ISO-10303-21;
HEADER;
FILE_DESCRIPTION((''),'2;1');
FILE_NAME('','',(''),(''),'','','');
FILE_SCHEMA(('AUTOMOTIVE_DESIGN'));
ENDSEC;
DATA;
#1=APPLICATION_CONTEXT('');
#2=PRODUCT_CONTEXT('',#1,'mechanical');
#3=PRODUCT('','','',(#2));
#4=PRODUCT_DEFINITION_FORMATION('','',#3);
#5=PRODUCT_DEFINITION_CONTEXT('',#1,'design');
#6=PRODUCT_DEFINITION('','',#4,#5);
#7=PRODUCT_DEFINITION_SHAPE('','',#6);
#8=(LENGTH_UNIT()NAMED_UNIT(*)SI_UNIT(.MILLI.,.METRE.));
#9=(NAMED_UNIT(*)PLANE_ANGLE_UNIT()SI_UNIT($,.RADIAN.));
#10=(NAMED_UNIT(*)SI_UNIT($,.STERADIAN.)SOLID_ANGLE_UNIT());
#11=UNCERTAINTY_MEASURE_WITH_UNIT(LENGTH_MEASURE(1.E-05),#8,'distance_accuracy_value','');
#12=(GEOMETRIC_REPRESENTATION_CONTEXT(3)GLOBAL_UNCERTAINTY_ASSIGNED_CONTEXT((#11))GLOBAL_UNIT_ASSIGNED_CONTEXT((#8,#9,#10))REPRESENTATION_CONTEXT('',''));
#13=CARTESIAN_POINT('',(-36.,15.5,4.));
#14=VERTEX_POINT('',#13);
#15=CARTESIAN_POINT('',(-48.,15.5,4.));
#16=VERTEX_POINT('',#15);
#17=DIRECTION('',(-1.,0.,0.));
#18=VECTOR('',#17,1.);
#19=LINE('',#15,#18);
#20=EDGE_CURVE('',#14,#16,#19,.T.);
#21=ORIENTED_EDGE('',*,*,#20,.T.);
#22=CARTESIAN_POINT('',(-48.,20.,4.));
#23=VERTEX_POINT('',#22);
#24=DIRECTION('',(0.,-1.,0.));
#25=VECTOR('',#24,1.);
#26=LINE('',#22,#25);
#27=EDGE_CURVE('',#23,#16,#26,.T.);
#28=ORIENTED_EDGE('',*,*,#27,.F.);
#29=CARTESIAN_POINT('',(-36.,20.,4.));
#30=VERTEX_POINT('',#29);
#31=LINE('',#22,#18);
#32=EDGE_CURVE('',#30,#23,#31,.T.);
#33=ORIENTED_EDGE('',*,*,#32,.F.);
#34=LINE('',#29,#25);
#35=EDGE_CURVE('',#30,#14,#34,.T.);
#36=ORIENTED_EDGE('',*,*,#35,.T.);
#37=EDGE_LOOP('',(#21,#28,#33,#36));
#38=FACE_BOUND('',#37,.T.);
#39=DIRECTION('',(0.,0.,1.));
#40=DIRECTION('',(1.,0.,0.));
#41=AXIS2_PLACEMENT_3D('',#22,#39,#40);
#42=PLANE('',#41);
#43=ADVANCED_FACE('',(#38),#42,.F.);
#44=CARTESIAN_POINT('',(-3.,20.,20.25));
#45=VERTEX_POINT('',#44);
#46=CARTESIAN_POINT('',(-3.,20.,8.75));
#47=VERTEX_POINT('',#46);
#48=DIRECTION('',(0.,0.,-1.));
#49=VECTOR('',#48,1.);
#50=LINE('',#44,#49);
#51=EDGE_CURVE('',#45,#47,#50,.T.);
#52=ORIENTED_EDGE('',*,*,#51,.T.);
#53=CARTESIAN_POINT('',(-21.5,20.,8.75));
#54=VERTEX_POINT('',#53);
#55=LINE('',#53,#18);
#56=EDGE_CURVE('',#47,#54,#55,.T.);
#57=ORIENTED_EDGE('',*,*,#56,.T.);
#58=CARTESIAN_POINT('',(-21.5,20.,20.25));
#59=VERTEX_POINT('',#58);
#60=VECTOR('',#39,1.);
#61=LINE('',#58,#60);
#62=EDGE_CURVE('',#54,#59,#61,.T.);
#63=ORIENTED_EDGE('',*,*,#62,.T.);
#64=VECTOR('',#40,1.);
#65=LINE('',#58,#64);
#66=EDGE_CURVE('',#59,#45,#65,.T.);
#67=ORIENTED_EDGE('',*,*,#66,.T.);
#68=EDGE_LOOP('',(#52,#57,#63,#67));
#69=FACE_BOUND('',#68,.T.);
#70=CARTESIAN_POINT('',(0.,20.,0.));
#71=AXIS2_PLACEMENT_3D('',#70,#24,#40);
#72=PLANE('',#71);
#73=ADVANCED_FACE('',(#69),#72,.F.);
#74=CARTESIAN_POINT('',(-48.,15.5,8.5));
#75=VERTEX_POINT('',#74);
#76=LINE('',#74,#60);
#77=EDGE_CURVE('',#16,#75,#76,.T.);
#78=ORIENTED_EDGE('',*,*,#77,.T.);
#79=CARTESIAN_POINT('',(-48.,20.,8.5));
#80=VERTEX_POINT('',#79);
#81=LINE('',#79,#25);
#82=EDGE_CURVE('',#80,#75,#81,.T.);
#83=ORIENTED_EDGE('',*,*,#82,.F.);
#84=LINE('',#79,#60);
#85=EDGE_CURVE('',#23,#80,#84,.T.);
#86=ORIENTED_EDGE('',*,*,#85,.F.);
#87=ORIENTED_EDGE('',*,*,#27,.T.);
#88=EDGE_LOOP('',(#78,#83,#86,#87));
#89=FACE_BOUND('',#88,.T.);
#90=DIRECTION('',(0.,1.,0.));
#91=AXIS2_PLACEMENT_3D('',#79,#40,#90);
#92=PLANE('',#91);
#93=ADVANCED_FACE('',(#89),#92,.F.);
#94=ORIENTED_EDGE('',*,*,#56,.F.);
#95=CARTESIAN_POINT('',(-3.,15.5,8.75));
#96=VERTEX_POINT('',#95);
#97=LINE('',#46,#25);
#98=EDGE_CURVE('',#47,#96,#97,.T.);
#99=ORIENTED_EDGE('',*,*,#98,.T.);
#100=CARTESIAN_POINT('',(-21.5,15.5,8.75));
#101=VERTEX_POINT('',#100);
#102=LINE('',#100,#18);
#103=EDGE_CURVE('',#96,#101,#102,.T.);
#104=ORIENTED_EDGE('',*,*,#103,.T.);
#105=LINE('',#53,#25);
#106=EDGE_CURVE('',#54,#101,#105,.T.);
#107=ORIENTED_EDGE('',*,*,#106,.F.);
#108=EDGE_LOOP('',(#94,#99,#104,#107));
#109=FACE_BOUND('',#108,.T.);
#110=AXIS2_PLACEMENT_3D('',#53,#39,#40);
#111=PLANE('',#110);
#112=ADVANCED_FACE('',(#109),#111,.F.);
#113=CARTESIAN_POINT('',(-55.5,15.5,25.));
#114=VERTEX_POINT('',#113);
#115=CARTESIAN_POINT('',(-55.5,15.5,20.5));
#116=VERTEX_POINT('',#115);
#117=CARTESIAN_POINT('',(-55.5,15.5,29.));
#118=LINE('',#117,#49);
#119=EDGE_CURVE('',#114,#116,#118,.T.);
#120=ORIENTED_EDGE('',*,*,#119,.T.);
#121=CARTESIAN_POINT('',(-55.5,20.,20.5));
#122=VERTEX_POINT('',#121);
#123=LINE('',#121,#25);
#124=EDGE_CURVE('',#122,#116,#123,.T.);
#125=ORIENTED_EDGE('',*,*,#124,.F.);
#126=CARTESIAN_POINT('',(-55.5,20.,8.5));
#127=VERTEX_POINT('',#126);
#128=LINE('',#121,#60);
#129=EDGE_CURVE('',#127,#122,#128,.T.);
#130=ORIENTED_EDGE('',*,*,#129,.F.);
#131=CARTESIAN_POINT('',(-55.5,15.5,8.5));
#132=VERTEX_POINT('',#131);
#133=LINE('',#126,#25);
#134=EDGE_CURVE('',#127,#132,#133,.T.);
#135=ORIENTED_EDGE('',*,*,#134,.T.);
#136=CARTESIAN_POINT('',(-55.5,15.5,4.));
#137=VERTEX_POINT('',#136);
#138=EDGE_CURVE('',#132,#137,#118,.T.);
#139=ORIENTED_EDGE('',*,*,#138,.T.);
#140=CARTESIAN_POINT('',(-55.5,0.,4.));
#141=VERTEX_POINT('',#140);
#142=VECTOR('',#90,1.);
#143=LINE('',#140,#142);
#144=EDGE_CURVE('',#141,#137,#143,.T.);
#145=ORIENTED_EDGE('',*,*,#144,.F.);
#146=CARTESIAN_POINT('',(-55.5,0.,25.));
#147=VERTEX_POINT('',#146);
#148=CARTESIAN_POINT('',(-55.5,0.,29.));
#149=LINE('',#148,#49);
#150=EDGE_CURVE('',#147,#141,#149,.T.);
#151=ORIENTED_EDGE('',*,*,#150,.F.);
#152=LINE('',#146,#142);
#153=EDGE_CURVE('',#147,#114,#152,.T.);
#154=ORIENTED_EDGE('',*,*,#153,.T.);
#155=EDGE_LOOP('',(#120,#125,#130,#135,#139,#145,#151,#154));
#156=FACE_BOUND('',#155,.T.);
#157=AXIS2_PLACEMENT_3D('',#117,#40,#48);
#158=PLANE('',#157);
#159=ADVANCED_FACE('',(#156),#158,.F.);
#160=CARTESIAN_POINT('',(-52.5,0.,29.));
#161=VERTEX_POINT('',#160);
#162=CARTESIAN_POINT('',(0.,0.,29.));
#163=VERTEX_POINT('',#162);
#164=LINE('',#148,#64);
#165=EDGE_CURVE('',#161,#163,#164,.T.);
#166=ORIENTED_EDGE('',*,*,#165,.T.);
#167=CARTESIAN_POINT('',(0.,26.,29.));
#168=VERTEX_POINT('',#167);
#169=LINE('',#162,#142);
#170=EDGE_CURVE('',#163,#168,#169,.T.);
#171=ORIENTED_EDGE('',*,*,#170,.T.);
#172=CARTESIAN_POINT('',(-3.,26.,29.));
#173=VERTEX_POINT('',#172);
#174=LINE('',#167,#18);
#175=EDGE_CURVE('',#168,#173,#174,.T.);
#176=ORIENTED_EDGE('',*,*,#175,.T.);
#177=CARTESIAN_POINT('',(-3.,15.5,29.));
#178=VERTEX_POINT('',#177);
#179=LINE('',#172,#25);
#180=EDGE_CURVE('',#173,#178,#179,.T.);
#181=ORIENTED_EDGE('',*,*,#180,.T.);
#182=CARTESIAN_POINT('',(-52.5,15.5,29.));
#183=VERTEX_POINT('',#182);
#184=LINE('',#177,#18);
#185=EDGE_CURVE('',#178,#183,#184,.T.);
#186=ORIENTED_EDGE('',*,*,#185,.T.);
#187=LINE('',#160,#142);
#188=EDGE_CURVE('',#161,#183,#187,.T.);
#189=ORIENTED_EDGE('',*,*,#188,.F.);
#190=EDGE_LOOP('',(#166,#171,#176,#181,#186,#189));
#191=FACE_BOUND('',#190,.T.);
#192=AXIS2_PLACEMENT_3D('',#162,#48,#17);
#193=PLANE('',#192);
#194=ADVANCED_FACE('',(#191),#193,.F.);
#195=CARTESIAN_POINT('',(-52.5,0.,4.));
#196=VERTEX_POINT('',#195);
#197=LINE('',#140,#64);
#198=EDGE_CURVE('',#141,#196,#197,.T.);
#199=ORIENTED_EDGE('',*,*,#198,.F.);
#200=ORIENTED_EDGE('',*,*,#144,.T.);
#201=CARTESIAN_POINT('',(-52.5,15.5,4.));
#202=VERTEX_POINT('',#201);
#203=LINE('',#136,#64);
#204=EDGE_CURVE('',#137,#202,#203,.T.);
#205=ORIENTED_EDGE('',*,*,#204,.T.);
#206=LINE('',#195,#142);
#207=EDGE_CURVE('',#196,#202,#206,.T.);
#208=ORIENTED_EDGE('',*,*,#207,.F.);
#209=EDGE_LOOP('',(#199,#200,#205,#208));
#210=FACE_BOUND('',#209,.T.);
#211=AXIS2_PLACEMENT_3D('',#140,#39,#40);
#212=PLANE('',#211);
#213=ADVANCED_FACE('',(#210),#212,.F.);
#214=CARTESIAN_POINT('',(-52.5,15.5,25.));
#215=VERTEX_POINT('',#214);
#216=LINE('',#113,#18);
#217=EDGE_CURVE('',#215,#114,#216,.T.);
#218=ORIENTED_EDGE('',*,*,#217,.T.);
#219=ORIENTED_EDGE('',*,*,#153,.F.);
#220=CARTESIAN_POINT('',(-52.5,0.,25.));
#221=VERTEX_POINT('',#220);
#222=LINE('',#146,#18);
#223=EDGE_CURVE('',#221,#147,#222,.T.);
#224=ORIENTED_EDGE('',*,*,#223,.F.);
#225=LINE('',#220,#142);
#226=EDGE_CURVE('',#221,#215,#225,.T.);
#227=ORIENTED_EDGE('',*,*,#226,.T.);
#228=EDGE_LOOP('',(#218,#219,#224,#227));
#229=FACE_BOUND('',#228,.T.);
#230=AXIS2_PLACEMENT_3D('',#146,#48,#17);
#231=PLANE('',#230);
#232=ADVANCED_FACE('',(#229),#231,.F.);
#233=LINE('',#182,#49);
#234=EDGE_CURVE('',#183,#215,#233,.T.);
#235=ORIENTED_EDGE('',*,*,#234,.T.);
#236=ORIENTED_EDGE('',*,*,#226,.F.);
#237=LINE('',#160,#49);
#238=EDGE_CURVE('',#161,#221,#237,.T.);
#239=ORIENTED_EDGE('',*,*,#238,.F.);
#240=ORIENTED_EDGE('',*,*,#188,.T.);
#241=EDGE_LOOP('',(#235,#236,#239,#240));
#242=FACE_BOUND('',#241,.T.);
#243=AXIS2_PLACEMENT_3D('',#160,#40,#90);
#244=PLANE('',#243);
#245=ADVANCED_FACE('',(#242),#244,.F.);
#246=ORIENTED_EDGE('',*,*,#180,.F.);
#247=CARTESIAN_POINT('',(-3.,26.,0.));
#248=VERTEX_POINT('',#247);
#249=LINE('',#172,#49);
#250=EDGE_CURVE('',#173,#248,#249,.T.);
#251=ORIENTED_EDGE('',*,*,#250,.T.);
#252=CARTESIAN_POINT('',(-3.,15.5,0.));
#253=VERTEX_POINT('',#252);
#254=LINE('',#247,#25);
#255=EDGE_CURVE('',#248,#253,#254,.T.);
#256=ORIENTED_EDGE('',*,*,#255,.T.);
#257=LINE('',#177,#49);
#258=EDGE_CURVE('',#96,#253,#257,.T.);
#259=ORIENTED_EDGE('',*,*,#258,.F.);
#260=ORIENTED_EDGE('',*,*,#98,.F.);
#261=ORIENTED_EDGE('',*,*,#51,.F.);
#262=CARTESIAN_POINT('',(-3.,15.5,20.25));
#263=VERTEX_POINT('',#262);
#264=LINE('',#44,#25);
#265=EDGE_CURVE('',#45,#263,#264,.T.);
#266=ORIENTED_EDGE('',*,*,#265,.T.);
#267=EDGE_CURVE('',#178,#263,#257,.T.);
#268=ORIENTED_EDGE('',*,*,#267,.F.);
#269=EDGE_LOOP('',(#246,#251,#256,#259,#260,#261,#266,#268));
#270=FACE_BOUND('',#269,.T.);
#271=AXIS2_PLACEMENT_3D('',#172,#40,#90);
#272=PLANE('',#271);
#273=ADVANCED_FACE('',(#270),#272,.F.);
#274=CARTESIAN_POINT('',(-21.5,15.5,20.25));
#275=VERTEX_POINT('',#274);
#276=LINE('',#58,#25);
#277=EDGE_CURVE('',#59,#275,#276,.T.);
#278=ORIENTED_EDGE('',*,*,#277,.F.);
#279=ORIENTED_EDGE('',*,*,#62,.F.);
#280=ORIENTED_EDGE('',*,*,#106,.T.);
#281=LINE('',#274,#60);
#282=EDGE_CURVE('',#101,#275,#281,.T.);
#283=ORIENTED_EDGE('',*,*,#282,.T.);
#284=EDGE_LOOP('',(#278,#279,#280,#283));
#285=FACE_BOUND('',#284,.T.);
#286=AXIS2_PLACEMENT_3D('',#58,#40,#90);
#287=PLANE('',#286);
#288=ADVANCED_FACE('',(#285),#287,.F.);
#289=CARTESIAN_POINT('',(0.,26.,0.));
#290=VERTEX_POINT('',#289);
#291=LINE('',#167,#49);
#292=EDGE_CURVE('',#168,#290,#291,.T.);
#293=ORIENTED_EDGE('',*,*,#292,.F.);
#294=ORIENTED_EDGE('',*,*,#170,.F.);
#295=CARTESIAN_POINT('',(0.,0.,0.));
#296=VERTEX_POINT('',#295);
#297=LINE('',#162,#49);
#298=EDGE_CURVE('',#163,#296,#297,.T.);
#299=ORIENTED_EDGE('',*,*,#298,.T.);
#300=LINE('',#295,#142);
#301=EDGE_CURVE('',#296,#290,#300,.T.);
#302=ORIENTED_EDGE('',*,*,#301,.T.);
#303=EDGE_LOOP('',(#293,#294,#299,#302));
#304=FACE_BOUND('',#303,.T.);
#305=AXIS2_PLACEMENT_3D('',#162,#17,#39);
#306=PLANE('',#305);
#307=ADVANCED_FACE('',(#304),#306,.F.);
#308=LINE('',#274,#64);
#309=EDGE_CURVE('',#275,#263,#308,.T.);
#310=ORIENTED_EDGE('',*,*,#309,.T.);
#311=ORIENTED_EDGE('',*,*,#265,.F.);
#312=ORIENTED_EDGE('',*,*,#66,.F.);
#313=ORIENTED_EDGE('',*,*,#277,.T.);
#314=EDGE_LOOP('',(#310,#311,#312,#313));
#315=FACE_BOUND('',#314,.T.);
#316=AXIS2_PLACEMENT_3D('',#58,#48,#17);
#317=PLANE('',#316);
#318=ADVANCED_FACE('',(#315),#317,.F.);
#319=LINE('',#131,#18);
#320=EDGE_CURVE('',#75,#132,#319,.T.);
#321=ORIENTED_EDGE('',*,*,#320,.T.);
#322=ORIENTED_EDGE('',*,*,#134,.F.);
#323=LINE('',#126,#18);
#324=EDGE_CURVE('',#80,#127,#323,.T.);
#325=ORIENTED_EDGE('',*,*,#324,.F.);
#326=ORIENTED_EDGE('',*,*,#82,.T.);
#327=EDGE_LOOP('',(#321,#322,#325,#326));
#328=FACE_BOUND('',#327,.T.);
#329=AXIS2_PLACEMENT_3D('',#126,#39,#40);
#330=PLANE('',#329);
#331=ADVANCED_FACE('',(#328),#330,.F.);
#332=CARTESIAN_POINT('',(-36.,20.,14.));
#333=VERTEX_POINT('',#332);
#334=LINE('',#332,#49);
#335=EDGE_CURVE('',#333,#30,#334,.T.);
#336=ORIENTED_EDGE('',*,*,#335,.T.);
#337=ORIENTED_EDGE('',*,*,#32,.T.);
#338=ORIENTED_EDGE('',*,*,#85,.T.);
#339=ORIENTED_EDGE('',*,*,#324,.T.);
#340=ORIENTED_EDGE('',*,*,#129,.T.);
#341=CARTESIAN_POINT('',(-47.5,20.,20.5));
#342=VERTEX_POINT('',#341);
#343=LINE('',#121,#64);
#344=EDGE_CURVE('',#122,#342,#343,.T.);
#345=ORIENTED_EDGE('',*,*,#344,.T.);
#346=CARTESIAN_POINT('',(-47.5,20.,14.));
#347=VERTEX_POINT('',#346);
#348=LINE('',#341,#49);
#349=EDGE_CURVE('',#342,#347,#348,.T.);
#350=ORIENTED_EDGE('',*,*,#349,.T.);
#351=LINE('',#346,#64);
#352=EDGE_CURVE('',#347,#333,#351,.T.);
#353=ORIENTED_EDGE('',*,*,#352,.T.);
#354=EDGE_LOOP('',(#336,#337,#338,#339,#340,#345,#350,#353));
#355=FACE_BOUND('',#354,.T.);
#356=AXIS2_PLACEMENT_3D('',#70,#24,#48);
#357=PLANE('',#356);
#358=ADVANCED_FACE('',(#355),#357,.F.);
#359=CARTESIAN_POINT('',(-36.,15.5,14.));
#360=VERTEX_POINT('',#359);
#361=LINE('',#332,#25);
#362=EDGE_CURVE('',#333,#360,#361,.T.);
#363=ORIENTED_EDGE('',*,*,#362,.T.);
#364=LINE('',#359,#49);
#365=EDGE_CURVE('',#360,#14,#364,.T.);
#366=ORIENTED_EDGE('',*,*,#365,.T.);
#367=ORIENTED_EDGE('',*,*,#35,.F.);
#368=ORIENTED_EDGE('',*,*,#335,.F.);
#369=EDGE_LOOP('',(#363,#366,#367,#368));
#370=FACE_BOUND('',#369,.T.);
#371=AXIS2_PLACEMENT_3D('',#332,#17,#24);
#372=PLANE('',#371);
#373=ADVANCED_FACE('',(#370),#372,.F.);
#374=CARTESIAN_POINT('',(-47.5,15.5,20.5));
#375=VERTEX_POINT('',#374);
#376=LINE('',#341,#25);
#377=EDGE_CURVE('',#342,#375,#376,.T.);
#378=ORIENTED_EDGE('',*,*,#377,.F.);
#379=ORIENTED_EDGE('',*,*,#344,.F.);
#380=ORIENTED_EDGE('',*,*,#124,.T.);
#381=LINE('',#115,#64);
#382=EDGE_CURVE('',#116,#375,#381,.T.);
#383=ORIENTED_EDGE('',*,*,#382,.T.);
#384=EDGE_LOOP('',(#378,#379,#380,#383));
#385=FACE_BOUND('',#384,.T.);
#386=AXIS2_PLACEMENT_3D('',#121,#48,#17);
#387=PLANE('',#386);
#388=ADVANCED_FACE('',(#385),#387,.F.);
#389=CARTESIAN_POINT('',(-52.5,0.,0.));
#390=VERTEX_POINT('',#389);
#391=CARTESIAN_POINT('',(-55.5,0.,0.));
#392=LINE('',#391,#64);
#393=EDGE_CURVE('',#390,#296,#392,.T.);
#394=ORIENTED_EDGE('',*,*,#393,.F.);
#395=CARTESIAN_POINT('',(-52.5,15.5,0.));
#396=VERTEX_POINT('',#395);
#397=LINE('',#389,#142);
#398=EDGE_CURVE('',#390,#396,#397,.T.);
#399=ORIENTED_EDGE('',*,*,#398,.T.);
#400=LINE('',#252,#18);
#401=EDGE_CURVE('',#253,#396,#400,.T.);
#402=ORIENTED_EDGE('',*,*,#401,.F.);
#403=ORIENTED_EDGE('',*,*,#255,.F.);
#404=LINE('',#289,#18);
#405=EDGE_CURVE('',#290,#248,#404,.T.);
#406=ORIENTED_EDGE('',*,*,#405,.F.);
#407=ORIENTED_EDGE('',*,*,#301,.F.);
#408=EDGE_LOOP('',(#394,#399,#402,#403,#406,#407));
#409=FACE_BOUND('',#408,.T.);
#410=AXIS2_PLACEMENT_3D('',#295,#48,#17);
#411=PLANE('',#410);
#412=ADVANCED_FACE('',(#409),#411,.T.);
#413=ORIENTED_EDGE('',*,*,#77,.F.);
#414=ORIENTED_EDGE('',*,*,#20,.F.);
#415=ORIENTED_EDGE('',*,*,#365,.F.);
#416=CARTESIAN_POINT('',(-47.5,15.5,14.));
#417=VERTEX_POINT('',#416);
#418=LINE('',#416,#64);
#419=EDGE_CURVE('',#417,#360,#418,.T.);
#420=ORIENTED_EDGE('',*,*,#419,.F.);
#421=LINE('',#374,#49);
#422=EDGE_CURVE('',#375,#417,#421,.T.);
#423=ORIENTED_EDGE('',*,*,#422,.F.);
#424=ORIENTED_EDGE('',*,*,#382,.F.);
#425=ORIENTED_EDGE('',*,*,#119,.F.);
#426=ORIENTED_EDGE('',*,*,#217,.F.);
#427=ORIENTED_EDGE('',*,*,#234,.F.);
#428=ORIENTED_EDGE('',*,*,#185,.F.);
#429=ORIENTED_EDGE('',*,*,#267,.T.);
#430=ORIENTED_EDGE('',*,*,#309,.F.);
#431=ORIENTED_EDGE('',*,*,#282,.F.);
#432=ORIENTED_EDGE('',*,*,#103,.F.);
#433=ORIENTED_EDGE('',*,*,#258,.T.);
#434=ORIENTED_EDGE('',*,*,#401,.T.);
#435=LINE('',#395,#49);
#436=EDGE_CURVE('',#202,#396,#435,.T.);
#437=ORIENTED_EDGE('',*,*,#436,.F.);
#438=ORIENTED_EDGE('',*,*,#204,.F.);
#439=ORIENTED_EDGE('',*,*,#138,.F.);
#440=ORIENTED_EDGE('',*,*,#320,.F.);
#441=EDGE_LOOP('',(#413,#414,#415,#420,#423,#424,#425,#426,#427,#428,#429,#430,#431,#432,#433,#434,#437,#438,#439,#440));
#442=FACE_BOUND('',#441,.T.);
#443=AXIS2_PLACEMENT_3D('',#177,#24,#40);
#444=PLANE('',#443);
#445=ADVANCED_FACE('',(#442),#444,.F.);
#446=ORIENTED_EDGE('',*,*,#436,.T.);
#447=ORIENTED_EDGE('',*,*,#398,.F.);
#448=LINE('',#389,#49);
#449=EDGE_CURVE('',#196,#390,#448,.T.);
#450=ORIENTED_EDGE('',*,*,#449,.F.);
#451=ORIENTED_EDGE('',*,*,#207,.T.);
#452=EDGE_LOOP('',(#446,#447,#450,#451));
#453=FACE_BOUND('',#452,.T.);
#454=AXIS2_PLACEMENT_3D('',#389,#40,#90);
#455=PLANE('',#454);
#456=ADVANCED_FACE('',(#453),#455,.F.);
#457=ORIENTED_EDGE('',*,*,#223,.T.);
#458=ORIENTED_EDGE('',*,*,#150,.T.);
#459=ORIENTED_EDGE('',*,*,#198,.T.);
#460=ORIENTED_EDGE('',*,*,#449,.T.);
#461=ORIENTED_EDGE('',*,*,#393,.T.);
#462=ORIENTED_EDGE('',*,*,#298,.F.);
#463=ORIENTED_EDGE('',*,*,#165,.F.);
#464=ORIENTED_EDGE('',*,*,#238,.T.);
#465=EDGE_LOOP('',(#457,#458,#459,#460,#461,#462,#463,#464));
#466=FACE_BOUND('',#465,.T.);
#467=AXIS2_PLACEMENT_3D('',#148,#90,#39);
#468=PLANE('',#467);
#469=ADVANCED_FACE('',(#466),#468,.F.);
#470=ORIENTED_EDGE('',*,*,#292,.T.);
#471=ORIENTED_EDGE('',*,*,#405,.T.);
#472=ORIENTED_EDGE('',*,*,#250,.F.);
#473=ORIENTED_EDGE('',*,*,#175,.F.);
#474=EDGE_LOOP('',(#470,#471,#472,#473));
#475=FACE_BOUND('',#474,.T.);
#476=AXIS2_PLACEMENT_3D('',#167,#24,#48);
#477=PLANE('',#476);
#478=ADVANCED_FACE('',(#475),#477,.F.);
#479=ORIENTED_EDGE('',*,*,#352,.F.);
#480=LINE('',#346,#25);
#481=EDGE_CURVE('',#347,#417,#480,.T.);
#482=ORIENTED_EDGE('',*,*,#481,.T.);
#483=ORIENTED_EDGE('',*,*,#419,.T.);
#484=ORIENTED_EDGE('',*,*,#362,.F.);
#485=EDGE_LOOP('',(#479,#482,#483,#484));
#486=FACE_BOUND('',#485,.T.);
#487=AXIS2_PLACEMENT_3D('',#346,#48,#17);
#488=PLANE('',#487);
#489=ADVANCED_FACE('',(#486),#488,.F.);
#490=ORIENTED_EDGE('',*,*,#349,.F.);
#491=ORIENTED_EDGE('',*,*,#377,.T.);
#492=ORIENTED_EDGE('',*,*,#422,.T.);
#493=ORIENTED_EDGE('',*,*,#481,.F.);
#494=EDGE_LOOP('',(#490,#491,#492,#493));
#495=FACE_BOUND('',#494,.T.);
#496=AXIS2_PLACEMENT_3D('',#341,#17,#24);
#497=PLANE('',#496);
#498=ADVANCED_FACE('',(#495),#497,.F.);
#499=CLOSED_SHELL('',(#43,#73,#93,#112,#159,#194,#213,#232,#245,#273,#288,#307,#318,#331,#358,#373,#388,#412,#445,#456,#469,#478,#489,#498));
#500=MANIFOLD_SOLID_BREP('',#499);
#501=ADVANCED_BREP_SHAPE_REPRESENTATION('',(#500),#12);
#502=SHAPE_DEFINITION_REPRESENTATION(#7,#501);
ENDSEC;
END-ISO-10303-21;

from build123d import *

# Parameters (mm, degrees)
BOSS_EXTRUDE1_DEPTH = 29
SKETCH2_W           = 3
SKETCH2_H           = 4
CUT_EXTRUDE1_DEPTH  = 16.5
SKETCH3_W           = 18.5
SKETCH3_H           = 11.5
BOSS_EXTRUDE4_DEPTH = 4.5


with BuildPart() as part:
    # Sketch1 → Boss-Extrude1 (new body)
    with BuildSketch(Plane.XY):
        Polygon((0, 0), (0, 26), (-3, 26), (-3, 15.5), (-55.5, 15.5), (-55.5, 0), align=None)
    extrude(amount=BOSS_EXTRUDE1_DEPTH)

    # Sketch2 → Cut-Extrude1 (cut, through all)
    with BuildSketch(Plane(origin=(0, 15.5, 0), x_dir=(1, 0, 0), z_dir=(0, 1, 0))):
        with Locations((-54, -2)):
            Rectangle(SKETCH2_W, SKETCH2_H)
        with Locations((-54, -27)):
            Rectangle(SKETCH2_W, SKETCH2_H)
    extrude(amount=-CUT_EXTRUDE1_DEPTH, mode=Mode.SUBTRACT)

    # Sketch3 → Boss-Extrude4 (add)
    with BuildSketch(Plane(origin=(0, 15.5, 0), x_dir=(1, 0, 0), z_dir=(0, 1, 0))):
        with Locations((-12.25, -14.5)):
            Rectangle(SKETCH3_W, SKETCH3_H)
        Polygon((-55.5, -20.5), (-47.5, -20.5), (-47.5, -14), (-36, -14), (-36, -4), (-48, -4), (-48, -8.5), (-55.5, -8.5), align=None)
    extrude(amount=BOSS_EXTRUDE4_DEPTH)


solid = part.part
